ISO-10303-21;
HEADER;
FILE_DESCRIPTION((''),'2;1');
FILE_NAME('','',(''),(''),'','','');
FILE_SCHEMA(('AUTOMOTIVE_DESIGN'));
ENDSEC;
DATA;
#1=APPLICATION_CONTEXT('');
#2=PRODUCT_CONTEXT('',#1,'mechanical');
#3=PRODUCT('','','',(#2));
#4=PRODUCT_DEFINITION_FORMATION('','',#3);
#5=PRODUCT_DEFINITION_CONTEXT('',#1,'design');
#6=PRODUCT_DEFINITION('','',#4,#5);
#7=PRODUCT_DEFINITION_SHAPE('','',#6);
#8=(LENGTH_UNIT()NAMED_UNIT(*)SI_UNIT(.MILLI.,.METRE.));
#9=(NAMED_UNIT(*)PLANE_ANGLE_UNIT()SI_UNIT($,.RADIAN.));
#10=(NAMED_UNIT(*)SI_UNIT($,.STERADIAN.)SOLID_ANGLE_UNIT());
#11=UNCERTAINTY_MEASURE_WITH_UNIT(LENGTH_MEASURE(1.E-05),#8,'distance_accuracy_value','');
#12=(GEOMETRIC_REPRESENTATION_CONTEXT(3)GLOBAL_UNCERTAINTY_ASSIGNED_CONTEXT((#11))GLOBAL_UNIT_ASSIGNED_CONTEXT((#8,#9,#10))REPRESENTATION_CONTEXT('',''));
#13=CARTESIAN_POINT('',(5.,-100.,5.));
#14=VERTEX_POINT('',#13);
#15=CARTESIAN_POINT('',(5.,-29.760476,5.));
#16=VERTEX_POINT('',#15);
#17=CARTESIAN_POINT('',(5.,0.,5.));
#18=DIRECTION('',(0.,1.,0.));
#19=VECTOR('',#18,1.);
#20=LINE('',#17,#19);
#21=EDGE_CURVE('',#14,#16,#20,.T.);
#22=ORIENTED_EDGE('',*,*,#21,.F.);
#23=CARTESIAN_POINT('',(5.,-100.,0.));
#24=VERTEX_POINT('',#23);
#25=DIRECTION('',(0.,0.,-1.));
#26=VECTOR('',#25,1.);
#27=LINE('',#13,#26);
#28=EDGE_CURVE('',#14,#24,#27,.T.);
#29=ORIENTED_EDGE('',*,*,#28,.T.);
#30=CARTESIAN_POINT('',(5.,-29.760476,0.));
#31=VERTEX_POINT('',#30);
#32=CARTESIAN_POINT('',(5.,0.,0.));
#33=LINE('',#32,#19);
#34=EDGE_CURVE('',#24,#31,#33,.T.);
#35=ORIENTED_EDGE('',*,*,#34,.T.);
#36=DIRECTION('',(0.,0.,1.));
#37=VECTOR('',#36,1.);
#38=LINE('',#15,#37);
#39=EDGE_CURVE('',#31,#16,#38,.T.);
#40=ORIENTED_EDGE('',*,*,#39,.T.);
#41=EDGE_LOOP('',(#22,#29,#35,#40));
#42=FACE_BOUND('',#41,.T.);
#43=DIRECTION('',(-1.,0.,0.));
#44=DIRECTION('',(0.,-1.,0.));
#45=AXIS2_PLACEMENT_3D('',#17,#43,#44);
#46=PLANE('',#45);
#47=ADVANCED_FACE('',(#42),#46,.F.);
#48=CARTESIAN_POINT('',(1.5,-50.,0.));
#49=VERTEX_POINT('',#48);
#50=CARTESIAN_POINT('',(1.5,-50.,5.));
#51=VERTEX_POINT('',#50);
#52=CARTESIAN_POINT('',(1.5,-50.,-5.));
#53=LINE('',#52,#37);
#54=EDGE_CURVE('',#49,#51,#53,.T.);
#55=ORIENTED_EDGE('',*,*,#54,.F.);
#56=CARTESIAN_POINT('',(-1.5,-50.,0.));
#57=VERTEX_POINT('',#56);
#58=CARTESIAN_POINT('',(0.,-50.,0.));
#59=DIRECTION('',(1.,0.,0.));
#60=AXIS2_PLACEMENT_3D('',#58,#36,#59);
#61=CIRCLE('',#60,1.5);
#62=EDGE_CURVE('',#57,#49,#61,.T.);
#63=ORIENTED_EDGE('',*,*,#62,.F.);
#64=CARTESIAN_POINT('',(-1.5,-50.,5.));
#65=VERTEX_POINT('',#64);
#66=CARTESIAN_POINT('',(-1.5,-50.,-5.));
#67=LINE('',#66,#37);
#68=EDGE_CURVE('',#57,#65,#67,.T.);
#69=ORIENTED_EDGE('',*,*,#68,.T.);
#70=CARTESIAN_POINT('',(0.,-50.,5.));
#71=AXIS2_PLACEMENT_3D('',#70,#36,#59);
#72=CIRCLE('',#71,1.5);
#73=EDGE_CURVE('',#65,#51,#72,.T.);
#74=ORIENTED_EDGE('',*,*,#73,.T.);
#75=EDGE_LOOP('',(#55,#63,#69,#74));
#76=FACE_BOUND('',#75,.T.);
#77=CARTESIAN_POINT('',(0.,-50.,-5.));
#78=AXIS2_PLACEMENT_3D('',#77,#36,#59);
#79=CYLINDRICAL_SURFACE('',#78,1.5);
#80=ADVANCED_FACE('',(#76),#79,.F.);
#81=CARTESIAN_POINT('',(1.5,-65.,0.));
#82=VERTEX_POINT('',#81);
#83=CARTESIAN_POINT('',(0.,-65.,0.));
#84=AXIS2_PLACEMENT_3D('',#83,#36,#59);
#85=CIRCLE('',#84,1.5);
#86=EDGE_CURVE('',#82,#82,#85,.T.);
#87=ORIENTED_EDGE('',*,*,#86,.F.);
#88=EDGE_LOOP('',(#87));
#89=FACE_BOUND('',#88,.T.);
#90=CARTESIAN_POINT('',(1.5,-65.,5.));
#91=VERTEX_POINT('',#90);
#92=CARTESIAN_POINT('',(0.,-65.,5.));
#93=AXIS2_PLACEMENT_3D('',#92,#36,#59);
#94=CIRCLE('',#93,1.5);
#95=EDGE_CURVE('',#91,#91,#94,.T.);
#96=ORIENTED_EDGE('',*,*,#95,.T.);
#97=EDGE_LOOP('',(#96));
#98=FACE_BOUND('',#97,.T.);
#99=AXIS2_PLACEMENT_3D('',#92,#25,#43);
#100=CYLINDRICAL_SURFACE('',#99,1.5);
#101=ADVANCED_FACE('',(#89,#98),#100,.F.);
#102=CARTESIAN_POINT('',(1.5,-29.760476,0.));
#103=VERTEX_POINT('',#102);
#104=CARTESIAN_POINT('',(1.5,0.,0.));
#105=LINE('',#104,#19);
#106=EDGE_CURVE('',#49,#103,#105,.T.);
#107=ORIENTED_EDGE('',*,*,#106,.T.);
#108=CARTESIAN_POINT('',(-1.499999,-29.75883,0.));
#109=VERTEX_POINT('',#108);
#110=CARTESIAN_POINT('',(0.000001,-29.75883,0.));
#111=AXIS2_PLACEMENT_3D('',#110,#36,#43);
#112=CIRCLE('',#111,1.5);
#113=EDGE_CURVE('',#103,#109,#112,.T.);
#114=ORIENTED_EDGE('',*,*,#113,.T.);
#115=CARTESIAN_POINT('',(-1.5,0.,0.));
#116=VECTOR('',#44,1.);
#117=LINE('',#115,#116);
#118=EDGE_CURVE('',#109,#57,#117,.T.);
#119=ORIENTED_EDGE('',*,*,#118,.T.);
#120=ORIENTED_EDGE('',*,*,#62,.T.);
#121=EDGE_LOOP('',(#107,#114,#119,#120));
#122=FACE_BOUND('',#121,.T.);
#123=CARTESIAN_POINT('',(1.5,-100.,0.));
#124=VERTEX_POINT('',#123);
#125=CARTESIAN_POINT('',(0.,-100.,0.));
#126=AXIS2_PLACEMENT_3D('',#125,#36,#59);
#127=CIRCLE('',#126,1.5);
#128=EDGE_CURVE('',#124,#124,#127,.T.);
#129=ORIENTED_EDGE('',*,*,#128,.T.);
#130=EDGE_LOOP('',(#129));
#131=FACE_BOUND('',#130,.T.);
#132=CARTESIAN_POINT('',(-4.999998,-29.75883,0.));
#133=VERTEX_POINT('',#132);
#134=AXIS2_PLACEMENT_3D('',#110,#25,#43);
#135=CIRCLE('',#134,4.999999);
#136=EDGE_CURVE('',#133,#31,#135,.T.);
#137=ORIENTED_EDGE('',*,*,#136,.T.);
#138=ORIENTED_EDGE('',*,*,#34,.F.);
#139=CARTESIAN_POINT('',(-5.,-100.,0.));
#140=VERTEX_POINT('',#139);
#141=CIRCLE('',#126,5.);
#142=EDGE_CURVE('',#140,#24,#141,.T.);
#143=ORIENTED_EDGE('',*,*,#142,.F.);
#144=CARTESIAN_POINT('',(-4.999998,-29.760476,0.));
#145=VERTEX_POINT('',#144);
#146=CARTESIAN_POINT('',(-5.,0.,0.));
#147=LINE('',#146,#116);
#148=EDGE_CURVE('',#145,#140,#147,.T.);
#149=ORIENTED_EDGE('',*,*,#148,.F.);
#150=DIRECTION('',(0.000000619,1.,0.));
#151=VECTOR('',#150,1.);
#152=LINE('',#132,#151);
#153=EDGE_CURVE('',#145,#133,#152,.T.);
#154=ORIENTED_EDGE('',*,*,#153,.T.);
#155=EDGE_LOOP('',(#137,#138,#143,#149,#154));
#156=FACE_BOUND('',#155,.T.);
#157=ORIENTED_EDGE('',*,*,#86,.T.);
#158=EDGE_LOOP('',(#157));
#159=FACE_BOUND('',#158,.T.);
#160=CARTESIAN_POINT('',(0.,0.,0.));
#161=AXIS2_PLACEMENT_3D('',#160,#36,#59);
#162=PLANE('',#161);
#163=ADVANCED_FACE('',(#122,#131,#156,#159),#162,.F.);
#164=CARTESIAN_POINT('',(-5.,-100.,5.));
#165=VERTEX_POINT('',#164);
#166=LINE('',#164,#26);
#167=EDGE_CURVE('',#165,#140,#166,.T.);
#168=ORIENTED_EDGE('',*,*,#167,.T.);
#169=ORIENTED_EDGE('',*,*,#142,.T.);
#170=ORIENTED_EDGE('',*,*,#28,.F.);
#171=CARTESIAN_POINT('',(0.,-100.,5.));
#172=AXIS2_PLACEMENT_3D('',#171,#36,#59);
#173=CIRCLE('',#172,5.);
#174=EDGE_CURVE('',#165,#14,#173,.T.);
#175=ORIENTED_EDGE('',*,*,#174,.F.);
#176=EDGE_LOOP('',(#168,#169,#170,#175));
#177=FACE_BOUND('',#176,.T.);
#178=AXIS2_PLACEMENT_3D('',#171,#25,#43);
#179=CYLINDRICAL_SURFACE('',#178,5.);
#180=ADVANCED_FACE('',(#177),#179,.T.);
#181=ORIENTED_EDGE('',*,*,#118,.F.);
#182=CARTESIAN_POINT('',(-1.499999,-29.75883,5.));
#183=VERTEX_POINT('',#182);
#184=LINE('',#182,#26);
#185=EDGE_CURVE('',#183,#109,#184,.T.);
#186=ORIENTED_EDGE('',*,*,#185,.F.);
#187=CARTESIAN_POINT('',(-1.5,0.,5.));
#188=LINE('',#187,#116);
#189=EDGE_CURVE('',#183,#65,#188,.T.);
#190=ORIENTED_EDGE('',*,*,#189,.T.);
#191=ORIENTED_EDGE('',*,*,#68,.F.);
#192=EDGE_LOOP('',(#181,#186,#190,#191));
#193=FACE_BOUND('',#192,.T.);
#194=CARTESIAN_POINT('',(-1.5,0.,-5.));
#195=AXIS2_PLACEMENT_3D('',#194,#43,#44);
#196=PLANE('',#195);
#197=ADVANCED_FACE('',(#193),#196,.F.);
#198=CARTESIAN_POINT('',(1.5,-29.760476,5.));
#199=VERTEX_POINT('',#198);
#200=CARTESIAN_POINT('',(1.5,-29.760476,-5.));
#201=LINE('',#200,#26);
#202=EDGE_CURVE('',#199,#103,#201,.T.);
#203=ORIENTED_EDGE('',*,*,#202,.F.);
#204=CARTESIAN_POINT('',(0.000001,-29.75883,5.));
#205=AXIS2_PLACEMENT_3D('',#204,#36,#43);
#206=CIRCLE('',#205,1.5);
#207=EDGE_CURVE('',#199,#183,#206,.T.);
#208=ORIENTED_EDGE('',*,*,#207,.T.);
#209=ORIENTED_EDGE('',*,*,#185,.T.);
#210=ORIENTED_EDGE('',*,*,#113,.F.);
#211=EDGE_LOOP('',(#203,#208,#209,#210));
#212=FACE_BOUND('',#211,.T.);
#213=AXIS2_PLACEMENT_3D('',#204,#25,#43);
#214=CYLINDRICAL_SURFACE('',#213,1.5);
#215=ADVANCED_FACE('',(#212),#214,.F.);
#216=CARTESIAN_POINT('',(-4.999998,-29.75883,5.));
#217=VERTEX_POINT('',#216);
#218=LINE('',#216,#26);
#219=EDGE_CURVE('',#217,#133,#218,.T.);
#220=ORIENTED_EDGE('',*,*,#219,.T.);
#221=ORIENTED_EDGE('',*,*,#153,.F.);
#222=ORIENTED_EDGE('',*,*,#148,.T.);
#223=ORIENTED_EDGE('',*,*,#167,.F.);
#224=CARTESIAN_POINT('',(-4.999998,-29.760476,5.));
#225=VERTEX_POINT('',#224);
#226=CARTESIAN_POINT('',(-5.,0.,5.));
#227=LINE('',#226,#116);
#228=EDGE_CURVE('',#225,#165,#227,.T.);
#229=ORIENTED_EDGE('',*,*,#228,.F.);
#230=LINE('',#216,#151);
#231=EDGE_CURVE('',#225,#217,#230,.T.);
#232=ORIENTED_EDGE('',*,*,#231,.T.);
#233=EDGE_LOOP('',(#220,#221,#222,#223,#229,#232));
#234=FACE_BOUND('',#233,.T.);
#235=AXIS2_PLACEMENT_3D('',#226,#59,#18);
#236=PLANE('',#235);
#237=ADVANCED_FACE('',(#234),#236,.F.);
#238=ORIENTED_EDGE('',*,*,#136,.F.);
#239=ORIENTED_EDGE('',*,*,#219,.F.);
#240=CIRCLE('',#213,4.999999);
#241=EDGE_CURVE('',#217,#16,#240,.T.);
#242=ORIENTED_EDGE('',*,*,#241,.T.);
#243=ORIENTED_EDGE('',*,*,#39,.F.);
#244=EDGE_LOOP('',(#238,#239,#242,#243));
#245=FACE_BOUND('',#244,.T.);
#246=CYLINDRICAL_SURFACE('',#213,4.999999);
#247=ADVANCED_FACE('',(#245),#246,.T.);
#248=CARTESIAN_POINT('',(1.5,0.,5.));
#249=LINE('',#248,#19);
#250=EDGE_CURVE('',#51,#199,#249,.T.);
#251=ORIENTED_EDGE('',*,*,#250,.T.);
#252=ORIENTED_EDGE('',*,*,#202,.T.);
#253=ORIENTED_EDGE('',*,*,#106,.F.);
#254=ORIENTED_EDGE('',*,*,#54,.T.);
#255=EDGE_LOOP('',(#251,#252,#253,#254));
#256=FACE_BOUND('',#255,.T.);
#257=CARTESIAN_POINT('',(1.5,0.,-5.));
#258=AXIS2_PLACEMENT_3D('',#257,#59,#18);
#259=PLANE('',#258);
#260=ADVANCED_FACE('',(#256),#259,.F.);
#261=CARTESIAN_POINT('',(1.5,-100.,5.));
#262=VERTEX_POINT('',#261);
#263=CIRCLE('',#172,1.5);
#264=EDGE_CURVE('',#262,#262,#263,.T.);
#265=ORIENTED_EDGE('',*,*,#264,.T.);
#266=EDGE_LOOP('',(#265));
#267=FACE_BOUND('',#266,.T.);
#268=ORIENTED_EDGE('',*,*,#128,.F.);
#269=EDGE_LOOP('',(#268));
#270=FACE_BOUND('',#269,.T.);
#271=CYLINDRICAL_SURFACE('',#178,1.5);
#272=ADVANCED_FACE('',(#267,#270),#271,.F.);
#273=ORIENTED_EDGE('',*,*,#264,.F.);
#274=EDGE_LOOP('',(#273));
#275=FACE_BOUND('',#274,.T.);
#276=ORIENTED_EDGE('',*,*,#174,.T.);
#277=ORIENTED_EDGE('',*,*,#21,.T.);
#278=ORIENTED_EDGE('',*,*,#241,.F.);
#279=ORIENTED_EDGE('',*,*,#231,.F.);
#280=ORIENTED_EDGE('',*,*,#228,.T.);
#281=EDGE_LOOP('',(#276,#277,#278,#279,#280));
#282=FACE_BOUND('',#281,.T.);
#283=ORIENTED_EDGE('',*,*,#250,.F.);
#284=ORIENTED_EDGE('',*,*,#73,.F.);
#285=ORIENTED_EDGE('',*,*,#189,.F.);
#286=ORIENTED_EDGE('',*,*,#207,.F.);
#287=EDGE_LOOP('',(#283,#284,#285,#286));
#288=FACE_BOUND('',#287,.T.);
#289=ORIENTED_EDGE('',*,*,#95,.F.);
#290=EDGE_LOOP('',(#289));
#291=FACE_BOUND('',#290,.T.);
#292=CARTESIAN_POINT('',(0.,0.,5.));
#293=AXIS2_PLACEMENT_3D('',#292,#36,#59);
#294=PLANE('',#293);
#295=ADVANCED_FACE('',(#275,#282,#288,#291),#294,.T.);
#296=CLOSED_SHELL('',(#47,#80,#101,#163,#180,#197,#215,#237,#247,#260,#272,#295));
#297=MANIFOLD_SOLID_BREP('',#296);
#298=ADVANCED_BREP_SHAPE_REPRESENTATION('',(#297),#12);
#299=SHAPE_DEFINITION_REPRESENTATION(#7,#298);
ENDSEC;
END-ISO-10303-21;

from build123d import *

# Parameters (mm, degrees)
CROQUIS1_R              = 1.5
SALIENTE_EXTRUIR1_DEPTH = 5
CORTAR_EXTRUIR1_START   = -10
CORTAR_EXTRUIR1_DEPTH   = 10
CROQUIS9_W              = 21.716341412
CROQUIS9_H              = 41.96907492
CORTAR_EXTRUIR2_DEPTH   = 10
SALIENTE_EXTRUIR2_DEPTH = 5
SALIENTE_EXTRUIR3_DEPTH = 5


with BuildPart() as part:
    # Croquis1 → Saliente-Extruir1 (new body)
    with BuildSketch(Plane.XY):
        with BuildLine():
            Line((5, 0), (5, -100))
            ThreePointArc((5, -100), (0, -105), (-5, -100))
            Line((-5, -100), (-5, 0))
            ThreePointArc((-5, 0), (0, 5), (5, 0))
        make_face()
        Circle(CROQUIS1_R, mode=Mode.SUBTRACT)
        with Locations((0, -100)):
            Circle(CROQUIS1_R, mode=Mode.SUBTRACT)
        with Locations((0, -65)):
            Circle(CROQUIS1_R, mode=Mode.SUBTRACT)
    extrude(amount=SALIENTE_EXTRUIR1_DEPTH)

    # Croquis8 → Cortar-Extruir1 (cut)
    with BuildSketch(Plane.XY.offset(5).offset(CORTAR_EXTRUIR1_START)):
        with BuildLine():
            Line((1.5, 0), (1.5, -50))
            ThreePointArc((1.5, -50), (0, -51.5), (-1.5, -50))
            Line((-1.5, -50), (-1.5, 0))
            ThreePointArc((-1.5, 0), (0, 1.5), (1.5, 0))
        make_face()
    extrude(amount=CORTAR_EXTRUIR1_DEPTH, mode=Mode.SUBTRACT)

    # Croquis9 → Cortar-Extruir2 (cut)
    with BuildSketch(Plane.XY.offset(5)):
        with Locations((5.858170706, -8.775938245)):
            Rectangle(CROQUIS9_W, CROQUIS9_H)
    extrude(amount=-CORTAR_EXTRUIR2_DEPTH, mode=Mode.SUBTRACT)



with BuildPart() as body_2:
    # Croquis10 → Saliente-Extruir2 (new body)
    with BuildSketch(Plane.XY.offset(5)):
        with BuildLine():
            Line((1.5, -29.760475705), (5, -29.760475705))
            ThreePointArc((5, -29.760475705), (0.000823646, -24.758830917), (-4.999998466, -29.758830217))
            Line((-4.999998466, -29.758830217), (-1.499999097, -29.758830217))
            ThreePointArc((-1.499999097, -29.758830217), (0.000823646, -28.258830443), (1.5, -29.760475705))
        make_face()
    extrude(amount=-SALIENTE_EXTRUIR2_DEPTH)


with BuildPart() as part_1:
    add(part.part)

    add(body_2.part)  # Saliente-Extruir3 merges body 2
    # Croquis11 → Saliente-Extruir3 (add)
    with BuildSketch(Plane(origin=(0, 0, 0), x_dir=(-1, 0, 0), z_dir=(0, 0, -1))):
        with BuildLine():
            Line((-5, -29.760475705), (-5, -32.237958703))
            Line((-5, -32.237958703), (-1.5, -32.237958703))
            Line((-1.5, -32.237958703), (-1.5, -29.760475705))
            ThreePointArc((-1.5, -29.760475705), (-0.000823646, -28.258830443), (1.499999097, -29.758830217))
            Line((1.499999097, -29.758830217), (1.499999097, -32.237958703))
            Line((1.499999097, -32.237958703), (5, -32.237958703))
            Line((5, -32.237958703), (4.999998466, -29.758830217))
            ThreePointArc((4.999998466, -29.758830217), (-0.000823646, -24.758830917), (-5, -29.760475705))
        make_face()
    extrude(amount=-SALIENTE_EXTRUIR3_DEPTH)


solid = part_1.part
